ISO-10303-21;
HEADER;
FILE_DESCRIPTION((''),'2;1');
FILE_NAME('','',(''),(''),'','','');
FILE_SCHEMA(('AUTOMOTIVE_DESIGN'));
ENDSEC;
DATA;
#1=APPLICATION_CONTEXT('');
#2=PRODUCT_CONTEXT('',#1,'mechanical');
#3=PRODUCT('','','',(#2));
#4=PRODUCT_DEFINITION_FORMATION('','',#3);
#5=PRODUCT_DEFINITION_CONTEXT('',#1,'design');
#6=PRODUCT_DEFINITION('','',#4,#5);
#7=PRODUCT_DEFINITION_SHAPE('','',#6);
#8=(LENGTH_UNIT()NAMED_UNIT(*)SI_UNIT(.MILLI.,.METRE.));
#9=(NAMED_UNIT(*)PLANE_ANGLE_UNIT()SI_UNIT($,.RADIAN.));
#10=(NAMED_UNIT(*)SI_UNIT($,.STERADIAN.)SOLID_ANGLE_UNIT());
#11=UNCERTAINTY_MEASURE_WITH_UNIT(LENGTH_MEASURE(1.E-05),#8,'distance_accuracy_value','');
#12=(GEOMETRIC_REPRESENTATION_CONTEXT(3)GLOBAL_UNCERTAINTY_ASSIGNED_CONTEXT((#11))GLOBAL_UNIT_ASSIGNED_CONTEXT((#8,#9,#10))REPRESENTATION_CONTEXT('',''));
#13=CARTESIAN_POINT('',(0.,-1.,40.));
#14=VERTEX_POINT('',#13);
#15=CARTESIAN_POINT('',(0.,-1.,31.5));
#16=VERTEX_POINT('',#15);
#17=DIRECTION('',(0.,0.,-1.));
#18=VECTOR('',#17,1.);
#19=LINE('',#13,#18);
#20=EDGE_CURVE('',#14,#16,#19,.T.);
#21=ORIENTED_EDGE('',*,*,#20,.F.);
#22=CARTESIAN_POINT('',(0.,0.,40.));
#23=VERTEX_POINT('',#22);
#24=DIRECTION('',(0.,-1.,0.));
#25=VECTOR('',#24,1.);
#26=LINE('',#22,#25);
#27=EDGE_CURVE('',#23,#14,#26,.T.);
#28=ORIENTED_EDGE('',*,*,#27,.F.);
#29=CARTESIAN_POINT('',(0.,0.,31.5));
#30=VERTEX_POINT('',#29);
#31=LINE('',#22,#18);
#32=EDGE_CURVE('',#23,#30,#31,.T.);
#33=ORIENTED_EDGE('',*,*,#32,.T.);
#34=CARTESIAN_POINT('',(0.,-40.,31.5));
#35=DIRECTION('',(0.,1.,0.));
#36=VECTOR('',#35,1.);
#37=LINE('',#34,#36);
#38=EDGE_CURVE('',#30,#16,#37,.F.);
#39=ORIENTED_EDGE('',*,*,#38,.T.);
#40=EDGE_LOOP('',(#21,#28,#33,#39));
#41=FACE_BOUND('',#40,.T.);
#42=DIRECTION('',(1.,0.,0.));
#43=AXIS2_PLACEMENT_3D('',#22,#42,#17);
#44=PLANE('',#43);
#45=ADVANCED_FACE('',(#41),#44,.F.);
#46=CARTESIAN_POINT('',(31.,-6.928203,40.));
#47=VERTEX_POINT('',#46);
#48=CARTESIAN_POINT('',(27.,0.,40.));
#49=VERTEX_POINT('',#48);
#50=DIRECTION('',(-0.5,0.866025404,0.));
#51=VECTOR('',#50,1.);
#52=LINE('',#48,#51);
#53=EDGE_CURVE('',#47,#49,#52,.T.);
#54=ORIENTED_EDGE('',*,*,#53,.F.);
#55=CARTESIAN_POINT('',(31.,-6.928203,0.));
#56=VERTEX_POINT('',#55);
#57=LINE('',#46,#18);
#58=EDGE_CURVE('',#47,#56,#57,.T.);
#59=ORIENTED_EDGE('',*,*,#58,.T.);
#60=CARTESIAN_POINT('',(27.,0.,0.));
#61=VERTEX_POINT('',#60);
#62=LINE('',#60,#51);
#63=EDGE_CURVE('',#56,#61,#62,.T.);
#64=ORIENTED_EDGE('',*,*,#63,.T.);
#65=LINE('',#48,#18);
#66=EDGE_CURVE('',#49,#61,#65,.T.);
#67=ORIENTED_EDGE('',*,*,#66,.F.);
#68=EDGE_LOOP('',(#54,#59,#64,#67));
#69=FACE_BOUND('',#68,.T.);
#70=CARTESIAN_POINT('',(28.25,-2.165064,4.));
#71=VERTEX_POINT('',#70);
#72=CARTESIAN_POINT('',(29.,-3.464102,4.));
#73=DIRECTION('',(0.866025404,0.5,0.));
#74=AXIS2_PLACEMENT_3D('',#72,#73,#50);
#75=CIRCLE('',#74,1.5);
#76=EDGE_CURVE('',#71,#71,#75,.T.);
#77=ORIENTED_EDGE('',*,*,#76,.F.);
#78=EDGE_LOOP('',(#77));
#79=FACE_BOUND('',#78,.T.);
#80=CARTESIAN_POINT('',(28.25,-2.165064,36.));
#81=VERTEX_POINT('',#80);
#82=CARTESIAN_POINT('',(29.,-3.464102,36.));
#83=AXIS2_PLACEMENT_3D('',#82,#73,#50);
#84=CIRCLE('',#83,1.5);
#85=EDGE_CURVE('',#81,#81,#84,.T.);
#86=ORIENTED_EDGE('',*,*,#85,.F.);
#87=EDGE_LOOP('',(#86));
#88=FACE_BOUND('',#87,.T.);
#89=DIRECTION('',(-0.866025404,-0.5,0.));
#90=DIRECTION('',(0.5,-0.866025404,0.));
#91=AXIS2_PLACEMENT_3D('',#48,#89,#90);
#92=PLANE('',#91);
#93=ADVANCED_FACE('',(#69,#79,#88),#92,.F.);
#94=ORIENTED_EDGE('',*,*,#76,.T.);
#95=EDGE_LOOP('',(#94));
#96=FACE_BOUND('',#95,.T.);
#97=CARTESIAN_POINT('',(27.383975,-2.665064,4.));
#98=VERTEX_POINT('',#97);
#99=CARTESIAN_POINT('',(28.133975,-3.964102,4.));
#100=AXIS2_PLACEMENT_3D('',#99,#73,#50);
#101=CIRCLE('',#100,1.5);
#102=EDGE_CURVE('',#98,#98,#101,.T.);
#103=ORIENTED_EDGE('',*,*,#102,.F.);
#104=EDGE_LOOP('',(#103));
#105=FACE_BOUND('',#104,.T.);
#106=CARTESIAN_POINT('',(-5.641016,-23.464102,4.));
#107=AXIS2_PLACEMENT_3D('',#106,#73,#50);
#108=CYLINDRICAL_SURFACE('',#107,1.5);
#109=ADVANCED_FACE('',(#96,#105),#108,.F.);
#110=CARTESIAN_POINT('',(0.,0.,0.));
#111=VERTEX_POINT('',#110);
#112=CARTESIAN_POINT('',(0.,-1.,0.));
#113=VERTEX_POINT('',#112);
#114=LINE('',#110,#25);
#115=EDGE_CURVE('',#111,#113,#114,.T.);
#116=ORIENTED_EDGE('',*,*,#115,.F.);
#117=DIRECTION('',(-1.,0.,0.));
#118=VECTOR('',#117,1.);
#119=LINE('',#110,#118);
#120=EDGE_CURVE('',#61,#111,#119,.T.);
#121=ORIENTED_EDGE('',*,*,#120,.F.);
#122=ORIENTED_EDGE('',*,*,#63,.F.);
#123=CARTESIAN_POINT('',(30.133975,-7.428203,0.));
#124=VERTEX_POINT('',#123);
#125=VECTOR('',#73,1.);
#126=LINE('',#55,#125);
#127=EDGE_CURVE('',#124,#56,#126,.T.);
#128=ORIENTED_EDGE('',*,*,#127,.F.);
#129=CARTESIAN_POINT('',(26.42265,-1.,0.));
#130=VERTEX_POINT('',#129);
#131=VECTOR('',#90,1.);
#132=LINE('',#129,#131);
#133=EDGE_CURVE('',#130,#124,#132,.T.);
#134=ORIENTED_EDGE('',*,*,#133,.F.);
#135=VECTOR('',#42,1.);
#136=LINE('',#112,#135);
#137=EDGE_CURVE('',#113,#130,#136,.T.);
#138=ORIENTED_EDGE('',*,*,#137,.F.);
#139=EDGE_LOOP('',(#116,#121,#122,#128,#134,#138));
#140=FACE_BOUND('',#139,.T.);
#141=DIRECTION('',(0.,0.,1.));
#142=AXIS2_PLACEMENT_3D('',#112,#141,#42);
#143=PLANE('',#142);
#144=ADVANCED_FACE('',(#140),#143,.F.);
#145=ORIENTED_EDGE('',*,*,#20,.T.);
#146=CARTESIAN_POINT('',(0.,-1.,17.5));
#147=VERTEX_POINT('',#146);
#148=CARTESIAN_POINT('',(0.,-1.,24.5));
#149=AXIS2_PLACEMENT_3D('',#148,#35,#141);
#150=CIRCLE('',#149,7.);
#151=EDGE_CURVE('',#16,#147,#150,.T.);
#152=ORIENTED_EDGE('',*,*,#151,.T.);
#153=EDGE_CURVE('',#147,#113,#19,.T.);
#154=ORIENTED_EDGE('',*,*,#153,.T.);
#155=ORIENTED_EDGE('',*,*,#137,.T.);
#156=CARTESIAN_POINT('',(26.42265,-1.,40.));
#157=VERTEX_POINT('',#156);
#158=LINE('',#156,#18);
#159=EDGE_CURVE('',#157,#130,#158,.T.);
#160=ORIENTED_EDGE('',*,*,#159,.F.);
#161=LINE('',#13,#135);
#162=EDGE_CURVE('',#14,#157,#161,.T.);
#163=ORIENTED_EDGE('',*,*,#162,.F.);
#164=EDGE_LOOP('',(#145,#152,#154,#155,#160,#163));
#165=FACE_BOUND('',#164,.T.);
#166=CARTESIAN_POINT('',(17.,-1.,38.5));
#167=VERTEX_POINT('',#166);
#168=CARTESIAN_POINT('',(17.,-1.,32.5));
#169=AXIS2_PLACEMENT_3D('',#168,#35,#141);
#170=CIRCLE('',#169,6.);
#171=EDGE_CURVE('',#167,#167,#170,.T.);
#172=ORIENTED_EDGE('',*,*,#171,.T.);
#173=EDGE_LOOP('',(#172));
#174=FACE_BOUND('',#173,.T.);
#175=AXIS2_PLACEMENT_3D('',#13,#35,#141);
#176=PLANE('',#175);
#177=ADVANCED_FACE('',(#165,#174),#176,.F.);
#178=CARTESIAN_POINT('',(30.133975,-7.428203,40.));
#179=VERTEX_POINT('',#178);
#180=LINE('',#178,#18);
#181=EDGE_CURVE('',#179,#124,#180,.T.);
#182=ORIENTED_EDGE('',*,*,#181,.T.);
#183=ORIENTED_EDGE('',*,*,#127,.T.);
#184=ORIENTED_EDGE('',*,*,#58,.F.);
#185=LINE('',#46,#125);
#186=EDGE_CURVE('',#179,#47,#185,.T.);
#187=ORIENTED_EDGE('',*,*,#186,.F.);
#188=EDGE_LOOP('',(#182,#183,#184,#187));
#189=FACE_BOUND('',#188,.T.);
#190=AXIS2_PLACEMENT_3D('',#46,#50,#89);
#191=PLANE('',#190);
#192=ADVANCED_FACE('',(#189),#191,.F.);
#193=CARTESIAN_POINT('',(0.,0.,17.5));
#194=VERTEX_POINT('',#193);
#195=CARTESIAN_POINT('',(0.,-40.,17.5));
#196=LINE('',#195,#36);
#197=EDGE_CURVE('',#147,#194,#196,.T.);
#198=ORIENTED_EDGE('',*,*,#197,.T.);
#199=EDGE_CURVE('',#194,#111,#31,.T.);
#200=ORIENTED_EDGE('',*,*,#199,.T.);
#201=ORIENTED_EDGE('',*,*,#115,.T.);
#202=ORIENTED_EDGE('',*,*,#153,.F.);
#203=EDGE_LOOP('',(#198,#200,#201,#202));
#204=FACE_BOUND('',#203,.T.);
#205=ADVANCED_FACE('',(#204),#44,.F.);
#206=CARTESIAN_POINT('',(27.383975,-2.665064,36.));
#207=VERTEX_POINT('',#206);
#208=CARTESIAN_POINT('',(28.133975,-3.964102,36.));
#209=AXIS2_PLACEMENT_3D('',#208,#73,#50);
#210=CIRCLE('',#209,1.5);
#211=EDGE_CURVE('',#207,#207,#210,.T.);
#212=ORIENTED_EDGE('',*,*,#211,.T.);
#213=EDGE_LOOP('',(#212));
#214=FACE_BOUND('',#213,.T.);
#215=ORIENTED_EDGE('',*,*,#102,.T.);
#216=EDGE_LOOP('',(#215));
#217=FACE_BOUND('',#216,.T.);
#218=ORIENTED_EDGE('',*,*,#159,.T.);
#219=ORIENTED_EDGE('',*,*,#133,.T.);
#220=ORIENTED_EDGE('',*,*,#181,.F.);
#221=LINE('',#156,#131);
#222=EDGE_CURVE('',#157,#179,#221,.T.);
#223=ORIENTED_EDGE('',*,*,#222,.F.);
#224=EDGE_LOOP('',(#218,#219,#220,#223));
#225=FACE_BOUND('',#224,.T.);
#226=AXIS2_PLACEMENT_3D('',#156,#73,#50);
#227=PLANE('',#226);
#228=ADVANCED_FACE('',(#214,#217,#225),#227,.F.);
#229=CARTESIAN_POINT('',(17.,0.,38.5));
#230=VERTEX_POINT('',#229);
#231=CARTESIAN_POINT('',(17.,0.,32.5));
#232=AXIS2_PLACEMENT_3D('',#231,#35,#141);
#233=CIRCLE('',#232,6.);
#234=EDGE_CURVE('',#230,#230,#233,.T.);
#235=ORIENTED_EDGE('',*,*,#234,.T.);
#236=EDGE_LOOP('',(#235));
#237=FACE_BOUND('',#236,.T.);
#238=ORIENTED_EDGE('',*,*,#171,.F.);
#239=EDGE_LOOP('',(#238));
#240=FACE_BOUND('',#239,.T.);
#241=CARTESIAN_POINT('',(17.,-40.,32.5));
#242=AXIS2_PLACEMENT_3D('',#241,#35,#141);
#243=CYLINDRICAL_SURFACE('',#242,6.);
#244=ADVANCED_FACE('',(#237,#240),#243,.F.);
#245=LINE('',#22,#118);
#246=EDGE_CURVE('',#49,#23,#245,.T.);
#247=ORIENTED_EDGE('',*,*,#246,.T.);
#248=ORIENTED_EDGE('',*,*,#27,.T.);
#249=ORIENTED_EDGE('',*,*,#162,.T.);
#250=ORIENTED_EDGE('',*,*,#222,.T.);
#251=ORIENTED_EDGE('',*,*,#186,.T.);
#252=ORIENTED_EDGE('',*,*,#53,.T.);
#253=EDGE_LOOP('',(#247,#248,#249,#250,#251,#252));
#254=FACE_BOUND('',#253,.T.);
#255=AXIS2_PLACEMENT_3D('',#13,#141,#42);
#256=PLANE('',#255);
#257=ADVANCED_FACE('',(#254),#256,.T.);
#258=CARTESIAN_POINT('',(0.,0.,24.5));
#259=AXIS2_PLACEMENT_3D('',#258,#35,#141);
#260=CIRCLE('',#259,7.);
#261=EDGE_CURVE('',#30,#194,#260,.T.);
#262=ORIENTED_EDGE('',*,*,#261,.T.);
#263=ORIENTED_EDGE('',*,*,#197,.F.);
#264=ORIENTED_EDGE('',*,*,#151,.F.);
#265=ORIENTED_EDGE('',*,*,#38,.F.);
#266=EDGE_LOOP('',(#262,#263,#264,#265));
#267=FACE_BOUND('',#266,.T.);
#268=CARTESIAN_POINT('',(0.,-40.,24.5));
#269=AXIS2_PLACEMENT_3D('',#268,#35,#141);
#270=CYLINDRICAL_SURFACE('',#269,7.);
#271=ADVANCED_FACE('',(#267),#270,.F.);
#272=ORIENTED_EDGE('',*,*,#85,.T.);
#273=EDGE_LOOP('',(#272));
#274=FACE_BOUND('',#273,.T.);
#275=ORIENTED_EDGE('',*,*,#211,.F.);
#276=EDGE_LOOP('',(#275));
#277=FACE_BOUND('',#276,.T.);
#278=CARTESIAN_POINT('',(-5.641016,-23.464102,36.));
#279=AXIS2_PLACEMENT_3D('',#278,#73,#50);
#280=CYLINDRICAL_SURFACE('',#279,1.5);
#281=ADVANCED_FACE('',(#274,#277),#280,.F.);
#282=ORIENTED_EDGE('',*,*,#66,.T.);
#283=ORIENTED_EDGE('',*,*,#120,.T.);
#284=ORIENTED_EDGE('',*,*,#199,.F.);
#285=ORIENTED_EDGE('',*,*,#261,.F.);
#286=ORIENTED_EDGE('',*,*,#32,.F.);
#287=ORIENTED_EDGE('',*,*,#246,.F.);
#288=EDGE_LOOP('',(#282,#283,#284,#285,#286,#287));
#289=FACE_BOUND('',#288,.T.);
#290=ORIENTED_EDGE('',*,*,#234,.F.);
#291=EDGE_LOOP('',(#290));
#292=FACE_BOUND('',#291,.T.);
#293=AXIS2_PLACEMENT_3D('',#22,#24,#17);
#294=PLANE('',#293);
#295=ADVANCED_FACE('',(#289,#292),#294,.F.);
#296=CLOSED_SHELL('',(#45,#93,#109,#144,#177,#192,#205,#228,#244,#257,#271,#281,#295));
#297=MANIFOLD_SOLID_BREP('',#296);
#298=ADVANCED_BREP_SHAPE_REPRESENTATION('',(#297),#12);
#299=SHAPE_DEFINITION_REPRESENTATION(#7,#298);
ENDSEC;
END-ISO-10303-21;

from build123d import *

# Parameters (mm, degrees)
BOSS_EXTRUDE1_DEPTH = 40
SKETCH2_R           = 1.5
CUT_EXTRUDE1_DEPTH  = 40
SKETCH3_R           = 7
SKETCH3_R_2         = 6
CUT_EXTRUDE2_DEPTH  = 40


with BuildPart() as part:
    # Sketch1 → Boss-Extrude1 (new body)
    with BuildSketch(Plane.XY):
        Polygon((0, 0), (27, 0), (31, -6.92820323), (30.133974596, -7.42820323), (26.422649731, -1), (0, -1), align=None)
    extrude(amount=BOSS_EXTRUDE1_DEPTH)

    # Sketch2 → Cut-Extrude1 (cut)
    with BuildSketch(Plane(origin=(20.25, 11.691342951, 0), x_dir=(0, 0, -1), z_dir=(0.86602540378444, 0.4999999999999978, 0))):
        with Locations(Location((-36, -17.5, 0), (0, 0, 90))):
            Circle(SKETCH2_R)
        with Locations(Location((-4, -17.5, 0), (0, 0, 90))):
            Circle(SKETCH2_R)
    extrude(amount=-CUT_EXTRUDE1_DEPTH, mode=Mode.SUBTRACT)

    # Sketch3 → Cut-Extrude2 (cut)
    with BuildSketch(Plane(origin=(0, 0, 0), x_dir=(-1, 0, 0), z_dir=(0, 1, 0))):
        with Locations((0, 24.5)):
            Circle(SKETCH3_R)
        with Locations(Location((-17, 32.5, 0), (0, 0, 90))):
            Circle(SKETCH3_R_2)
    extrude(amount=-CUT_EXTRUDE2_DEPTH, mode=Mode.SUBTRACT)


solid = part.part
